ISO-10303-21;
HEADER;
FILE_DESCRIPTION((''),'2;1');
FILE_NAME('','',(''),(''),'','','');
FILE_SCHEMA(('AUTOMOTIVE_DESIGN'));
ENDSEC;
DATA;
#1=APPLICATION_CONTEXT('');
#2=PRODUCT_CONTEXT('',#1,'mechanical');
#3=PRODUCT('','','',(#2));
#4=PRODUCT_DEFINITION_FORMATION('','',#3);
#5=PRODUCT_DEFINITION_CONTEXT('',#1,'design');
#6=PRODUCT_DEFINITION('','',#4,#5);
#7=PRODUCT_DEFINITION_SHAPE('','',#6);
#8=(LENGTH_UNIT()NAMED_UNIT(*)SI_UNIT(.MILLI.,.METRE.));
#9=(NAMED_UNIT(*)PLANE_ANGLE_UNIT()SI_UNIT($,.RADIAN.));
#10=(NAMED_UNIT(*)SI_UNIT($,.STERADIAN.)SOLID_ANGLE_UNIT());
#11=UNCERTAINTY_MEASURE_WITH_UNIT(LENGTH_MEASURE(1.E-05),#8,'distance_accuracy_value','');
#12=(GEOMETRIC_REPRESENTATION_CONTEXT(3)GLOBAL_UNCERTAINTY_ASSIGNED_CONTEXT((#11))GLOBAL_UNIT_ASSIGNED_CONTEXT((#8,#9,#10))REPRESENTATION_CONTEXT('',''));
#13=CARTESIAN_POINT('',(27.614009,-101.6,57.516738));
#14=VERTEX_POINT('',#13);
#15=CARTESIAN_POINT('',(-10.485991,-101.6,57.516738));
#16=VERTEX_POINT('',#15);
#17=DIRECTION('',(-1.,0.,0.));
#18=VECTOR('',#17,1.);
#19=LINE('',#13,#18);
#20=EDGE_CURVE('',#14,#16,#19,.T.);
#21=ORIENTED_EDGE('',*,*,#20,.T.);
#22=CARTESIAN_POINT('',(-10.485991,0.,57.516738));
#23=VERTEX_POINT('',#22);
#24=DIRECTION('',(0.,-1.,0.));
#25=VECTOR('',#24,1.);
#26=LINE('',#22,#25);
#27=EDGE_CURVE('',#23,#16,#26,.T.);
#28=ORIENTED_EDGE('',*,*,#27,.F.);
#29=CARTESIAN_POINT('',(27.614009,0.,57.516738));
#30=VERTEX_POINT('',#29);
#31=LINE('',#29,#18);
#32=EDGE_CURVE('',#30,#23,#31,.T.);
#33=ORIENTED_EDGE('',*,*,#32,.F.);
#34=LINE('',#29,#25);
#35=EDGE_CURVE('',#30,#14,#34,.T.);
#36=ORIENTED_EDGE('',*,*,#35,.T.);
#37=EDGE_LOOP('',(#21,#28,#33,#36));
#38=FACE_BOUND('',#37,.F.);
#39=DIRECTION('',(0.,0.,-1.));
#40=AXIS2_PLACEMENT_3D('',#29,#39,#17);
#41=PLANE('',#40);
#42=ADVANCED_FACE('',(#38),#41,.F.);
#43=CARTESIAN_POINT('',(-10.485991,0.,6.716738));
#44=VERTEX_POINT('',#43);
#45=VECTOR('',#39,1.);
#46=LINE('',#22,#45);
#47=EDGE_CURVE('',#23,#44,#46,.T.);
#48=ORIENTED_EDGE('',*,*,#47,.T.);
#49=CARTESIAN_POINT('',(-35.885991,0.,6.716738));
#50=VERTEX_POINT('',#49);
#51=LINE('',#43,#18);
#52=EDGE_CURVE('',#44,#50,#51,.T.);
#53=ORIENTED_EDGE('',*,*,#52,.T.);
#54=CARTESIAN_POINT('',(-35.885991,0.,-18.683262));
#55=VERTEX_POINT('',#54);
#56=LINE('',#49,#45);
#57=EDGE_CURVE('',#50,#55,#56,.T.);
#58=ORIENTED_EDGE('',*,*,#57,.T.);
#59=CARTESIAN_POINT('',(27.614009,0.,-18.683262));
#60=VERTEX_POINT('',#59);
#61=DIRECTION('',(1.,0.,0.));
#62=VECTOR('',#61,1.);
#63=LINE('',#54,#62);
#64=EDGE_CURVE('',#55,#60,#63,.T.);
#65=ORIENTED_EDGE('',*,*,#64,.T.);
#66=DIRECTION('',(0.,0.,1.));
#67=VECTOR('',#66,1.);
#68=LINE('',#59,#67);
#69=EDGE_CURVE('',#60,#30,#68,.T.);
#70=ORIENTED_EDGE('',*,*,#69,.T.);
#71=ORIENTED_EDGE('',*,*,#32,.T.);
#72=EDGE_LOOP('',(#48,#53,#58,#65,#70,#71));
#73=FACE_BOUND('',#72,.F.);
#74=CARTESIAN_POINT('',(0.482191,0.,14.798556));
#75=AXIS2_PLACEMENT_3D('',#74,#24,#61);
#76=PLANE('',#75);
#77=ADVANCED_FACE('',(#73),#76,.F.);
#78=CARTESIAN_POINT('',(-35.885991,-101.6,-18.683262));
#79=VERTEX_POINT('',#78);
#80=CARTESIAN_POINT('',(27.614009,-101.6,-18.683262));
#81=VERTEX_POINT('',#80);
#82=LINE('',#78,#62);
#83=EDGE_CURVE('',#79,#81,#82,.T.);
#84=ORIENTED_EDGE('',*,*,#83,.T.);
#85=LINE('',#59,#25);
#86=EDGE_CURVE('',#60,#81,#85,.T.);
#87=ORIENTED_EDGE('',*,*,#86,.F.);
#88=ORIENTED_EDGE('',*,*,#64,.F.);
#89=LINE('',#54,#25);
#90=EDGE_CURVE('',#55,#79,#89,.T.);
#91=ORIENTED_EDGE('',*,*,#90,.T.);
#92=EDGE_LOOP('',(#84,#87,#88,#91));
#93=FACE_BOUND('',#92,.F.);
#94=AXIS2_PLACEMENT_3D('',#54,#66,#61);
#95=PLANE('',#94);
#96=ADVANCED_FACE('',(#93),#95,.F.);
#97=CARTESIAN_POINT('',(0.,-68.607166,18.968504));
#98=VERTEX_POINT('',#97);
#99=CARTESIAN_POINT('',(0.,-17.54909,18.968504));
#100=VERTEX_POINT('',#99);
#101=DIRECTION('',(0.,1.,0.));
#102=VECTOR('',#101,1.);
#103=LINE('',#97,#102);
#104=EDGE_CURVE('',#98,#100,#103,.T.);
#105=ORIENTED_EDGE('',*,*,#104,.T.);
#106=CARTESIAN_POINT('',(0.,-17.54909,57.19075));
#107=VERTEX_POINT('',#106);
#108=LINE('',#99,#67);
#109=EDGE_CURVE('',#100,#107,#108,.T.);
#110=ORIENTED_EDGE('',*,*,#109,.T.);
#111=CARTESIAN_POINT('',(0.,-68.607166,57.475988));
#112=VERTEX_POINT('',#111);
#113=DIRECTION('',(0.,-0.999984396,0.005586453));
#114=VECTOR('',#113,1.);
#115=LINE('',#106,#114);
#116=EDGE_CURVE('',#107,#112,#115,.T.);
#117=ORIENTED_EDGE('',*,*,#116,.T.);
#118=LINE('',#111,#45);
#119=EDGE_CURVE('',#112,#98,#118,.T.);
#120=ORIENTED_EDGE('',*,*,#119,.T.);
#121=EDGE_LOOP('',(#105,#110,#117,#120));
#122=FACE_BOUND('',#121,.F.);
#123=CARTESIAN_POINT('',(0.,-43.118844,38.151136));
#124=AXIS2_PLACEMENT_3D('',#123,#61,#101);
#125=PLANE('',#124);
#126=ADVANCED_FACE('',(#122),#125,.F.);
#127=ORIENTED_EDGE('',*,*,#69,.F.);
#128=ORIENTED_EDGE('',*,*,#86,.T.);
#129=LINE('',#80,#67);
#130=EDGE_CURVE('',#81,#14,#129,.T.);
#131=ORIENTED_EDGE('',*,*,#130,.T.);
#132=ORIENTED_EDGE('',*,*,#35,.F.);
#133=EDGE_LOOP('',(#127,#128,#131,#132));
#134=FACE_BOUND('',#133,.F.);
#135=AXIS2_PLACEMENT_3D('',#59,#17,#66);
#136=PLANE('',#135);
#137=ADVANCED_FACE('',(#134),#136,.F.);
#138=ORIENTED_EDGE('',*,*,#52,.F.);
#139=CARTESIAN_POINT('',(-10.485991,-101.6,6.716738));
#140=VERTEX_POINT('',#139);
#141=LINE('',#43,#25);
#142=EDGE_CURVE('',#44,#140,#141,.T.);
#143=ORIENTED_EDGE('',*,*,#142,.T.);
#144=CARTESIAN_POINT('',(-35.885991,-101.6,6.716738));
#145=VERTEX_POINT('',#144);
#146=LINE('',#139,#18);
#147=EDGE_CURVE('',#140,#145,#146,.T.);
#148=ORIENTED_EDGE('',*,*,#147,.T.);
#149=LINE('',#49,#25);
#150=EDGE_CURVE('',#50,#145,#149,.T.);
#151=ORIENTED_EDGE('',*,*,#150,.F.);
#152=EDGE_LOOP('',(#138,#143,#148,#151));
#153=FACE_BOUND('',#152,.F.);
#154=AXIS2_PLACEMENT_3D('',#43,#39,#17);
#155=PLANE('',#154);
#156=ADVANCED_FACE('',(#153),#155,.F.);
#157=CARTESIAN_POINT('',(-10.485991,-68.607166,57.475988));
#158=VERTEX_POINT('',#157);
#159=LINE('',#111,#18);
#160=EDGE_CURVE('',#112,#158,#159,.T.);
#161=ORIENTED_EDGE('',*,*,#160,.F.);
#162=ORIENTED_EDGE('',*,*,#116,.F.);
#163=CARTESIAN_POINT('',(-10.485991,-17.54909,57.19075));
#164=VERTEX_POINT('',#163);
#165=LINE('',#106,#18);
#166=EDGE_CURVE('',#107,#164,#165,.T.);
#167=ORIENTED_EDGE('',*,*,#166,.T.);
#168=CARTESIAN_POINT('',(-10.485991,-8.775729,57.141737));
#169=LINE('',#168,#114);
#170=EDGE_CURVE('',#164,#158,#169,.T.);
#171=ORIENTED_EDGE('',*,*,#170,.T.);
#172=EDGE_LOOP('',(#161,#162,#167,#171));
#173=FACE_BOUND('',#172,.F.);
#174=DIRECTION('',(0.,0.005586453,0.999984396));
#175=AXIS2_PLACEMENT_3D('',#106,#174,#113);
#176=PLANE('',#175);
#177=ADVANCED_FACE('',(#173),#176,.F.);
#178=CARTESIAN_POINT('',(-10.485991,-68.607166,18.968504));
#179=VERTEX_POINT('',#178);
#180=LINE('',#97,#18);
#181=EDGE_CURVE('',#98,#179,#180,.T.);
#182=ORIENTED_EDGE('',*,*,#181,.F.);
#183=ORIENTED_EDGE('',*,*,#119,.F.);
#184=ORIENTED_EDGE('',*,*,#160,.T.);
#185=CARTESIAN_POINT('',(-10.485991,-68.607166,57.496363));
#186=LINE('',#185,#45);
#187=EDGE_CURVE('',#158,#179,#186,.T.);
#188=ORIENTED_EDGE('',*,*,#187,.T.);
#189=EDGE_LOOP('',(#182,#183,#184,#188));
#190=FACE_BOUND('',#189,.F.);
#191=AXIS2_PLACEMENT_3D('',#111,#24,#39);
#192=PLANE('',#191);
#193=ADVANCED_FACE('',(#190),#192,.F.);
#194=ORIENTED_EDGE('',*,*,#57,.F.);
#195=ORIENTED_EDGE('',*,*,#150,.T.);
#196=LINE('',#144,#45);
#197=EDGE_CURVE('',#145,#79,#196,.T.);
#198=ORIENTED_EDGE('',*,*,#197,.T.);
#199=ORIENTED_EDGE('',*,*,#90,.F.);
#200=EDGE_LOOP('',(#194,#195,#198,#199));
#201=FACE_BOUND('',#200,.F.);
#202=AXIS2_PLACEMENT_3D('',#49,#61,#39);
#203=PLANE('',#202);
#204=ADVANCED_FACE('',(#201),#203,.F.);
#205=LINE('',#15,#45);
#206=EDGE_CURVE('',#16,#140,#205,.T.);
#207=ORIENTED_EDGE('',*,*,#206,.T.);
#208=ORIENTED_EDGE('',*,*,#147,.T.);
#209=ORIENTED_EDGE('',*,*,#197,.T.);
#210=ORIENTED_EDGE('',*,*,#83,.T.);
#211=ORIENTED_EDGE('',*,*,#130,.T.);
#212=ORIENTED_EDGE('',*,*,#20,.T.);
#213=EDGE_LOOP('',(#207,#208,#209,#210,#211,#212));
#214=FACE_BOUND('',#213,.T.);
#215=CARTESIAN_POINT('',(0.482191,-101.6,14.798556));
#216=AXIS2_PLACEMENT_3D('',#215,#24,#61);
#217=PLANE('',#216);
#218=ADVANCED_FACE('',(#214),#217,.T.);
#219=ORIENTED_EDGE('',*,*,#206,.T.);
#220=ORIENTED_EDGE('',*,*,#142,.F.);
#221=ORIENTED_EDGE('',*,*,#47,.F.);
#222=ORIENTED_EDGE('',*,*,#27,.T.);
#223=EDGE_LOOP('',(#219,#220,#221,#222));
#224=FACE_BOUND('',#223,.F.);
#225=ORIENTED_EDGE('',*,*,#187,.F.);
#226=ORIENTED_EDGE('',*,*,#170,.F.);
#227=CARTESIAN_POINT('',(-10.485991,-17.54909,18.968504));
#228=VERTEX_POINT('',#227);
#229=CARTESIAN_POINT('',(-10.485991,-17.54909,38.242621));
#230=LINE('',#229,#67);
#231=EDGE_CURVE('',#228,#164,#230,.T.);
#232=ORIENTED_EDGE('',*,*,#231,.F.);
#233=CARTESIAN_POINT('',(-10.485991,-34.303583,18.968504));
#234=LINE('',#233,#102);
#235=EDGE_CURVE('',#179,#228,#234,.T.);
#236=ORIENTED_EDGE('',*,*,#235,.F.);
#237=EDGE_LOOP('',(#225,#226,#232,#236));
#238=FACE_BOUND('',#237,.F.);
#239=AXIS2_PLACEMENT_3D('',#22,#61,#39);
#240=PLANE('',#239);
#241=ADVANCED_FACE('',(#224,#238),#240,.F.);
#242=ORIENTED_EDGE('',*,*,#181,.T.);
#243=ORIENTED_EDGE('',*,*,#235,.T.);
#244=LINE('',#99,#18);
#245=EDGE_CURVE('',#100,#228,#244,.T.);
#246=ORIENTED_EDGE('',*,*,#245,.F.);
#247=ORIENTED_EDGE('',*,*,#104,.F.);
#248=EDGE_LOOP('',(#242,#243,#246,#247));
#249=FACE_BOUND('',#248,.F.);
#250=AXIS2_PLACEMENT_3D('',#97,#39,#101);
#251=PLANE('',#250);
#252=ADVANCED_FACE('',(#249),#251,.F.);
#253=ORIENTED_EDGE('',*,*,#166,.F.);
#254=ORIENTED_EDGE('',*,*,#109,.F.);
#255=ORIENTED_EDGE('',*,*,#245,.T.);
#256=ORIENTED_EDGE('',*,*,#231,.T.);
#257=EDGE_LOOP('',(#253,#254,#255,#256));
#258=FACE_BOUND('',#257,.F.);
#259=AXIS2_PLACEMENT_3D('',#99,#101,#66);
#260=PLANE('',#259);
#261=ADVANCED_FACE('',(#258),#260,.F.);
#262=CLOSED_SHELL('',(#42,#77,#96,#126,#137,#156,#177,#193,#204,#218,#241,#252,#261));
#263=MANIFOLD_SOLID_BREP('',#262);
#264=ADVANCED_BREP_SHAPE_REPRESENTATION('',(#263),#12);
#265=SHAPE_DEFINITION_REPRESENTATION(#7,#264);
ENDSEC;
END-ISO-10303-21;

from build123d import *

# Parameters (mm, degrees)
F1_DEPTH = 101.6
F3_DEPTH = 25.4


with BuildPart() as f1:
    # F0 (on Front) → F1 (new body)
    with BuildSketch(Plane.XZ):
        Polygon((-35.885991, 6.716738), (-35.885991, -18.683262), (27.614009, -18.683262), (27.614009, 57.516738), (-10.485991, 57.516738), (-10.485991, 6.716738), align=None)
    extrude(amount=F1_DEPTH)

    # F2 (on Right) → F3 (cut)
    with BuildSketch(Plane.YZ):
        Polygon((-17.54909, 18.968504), (-17.54909, 57.19075), (-68.607166, 57.475988), (-68.607166, 18.968504), align=None)
    extrude(amount=-F3_DEPTH, mode=Mode.SUBTRACT)


solid = f1.part
